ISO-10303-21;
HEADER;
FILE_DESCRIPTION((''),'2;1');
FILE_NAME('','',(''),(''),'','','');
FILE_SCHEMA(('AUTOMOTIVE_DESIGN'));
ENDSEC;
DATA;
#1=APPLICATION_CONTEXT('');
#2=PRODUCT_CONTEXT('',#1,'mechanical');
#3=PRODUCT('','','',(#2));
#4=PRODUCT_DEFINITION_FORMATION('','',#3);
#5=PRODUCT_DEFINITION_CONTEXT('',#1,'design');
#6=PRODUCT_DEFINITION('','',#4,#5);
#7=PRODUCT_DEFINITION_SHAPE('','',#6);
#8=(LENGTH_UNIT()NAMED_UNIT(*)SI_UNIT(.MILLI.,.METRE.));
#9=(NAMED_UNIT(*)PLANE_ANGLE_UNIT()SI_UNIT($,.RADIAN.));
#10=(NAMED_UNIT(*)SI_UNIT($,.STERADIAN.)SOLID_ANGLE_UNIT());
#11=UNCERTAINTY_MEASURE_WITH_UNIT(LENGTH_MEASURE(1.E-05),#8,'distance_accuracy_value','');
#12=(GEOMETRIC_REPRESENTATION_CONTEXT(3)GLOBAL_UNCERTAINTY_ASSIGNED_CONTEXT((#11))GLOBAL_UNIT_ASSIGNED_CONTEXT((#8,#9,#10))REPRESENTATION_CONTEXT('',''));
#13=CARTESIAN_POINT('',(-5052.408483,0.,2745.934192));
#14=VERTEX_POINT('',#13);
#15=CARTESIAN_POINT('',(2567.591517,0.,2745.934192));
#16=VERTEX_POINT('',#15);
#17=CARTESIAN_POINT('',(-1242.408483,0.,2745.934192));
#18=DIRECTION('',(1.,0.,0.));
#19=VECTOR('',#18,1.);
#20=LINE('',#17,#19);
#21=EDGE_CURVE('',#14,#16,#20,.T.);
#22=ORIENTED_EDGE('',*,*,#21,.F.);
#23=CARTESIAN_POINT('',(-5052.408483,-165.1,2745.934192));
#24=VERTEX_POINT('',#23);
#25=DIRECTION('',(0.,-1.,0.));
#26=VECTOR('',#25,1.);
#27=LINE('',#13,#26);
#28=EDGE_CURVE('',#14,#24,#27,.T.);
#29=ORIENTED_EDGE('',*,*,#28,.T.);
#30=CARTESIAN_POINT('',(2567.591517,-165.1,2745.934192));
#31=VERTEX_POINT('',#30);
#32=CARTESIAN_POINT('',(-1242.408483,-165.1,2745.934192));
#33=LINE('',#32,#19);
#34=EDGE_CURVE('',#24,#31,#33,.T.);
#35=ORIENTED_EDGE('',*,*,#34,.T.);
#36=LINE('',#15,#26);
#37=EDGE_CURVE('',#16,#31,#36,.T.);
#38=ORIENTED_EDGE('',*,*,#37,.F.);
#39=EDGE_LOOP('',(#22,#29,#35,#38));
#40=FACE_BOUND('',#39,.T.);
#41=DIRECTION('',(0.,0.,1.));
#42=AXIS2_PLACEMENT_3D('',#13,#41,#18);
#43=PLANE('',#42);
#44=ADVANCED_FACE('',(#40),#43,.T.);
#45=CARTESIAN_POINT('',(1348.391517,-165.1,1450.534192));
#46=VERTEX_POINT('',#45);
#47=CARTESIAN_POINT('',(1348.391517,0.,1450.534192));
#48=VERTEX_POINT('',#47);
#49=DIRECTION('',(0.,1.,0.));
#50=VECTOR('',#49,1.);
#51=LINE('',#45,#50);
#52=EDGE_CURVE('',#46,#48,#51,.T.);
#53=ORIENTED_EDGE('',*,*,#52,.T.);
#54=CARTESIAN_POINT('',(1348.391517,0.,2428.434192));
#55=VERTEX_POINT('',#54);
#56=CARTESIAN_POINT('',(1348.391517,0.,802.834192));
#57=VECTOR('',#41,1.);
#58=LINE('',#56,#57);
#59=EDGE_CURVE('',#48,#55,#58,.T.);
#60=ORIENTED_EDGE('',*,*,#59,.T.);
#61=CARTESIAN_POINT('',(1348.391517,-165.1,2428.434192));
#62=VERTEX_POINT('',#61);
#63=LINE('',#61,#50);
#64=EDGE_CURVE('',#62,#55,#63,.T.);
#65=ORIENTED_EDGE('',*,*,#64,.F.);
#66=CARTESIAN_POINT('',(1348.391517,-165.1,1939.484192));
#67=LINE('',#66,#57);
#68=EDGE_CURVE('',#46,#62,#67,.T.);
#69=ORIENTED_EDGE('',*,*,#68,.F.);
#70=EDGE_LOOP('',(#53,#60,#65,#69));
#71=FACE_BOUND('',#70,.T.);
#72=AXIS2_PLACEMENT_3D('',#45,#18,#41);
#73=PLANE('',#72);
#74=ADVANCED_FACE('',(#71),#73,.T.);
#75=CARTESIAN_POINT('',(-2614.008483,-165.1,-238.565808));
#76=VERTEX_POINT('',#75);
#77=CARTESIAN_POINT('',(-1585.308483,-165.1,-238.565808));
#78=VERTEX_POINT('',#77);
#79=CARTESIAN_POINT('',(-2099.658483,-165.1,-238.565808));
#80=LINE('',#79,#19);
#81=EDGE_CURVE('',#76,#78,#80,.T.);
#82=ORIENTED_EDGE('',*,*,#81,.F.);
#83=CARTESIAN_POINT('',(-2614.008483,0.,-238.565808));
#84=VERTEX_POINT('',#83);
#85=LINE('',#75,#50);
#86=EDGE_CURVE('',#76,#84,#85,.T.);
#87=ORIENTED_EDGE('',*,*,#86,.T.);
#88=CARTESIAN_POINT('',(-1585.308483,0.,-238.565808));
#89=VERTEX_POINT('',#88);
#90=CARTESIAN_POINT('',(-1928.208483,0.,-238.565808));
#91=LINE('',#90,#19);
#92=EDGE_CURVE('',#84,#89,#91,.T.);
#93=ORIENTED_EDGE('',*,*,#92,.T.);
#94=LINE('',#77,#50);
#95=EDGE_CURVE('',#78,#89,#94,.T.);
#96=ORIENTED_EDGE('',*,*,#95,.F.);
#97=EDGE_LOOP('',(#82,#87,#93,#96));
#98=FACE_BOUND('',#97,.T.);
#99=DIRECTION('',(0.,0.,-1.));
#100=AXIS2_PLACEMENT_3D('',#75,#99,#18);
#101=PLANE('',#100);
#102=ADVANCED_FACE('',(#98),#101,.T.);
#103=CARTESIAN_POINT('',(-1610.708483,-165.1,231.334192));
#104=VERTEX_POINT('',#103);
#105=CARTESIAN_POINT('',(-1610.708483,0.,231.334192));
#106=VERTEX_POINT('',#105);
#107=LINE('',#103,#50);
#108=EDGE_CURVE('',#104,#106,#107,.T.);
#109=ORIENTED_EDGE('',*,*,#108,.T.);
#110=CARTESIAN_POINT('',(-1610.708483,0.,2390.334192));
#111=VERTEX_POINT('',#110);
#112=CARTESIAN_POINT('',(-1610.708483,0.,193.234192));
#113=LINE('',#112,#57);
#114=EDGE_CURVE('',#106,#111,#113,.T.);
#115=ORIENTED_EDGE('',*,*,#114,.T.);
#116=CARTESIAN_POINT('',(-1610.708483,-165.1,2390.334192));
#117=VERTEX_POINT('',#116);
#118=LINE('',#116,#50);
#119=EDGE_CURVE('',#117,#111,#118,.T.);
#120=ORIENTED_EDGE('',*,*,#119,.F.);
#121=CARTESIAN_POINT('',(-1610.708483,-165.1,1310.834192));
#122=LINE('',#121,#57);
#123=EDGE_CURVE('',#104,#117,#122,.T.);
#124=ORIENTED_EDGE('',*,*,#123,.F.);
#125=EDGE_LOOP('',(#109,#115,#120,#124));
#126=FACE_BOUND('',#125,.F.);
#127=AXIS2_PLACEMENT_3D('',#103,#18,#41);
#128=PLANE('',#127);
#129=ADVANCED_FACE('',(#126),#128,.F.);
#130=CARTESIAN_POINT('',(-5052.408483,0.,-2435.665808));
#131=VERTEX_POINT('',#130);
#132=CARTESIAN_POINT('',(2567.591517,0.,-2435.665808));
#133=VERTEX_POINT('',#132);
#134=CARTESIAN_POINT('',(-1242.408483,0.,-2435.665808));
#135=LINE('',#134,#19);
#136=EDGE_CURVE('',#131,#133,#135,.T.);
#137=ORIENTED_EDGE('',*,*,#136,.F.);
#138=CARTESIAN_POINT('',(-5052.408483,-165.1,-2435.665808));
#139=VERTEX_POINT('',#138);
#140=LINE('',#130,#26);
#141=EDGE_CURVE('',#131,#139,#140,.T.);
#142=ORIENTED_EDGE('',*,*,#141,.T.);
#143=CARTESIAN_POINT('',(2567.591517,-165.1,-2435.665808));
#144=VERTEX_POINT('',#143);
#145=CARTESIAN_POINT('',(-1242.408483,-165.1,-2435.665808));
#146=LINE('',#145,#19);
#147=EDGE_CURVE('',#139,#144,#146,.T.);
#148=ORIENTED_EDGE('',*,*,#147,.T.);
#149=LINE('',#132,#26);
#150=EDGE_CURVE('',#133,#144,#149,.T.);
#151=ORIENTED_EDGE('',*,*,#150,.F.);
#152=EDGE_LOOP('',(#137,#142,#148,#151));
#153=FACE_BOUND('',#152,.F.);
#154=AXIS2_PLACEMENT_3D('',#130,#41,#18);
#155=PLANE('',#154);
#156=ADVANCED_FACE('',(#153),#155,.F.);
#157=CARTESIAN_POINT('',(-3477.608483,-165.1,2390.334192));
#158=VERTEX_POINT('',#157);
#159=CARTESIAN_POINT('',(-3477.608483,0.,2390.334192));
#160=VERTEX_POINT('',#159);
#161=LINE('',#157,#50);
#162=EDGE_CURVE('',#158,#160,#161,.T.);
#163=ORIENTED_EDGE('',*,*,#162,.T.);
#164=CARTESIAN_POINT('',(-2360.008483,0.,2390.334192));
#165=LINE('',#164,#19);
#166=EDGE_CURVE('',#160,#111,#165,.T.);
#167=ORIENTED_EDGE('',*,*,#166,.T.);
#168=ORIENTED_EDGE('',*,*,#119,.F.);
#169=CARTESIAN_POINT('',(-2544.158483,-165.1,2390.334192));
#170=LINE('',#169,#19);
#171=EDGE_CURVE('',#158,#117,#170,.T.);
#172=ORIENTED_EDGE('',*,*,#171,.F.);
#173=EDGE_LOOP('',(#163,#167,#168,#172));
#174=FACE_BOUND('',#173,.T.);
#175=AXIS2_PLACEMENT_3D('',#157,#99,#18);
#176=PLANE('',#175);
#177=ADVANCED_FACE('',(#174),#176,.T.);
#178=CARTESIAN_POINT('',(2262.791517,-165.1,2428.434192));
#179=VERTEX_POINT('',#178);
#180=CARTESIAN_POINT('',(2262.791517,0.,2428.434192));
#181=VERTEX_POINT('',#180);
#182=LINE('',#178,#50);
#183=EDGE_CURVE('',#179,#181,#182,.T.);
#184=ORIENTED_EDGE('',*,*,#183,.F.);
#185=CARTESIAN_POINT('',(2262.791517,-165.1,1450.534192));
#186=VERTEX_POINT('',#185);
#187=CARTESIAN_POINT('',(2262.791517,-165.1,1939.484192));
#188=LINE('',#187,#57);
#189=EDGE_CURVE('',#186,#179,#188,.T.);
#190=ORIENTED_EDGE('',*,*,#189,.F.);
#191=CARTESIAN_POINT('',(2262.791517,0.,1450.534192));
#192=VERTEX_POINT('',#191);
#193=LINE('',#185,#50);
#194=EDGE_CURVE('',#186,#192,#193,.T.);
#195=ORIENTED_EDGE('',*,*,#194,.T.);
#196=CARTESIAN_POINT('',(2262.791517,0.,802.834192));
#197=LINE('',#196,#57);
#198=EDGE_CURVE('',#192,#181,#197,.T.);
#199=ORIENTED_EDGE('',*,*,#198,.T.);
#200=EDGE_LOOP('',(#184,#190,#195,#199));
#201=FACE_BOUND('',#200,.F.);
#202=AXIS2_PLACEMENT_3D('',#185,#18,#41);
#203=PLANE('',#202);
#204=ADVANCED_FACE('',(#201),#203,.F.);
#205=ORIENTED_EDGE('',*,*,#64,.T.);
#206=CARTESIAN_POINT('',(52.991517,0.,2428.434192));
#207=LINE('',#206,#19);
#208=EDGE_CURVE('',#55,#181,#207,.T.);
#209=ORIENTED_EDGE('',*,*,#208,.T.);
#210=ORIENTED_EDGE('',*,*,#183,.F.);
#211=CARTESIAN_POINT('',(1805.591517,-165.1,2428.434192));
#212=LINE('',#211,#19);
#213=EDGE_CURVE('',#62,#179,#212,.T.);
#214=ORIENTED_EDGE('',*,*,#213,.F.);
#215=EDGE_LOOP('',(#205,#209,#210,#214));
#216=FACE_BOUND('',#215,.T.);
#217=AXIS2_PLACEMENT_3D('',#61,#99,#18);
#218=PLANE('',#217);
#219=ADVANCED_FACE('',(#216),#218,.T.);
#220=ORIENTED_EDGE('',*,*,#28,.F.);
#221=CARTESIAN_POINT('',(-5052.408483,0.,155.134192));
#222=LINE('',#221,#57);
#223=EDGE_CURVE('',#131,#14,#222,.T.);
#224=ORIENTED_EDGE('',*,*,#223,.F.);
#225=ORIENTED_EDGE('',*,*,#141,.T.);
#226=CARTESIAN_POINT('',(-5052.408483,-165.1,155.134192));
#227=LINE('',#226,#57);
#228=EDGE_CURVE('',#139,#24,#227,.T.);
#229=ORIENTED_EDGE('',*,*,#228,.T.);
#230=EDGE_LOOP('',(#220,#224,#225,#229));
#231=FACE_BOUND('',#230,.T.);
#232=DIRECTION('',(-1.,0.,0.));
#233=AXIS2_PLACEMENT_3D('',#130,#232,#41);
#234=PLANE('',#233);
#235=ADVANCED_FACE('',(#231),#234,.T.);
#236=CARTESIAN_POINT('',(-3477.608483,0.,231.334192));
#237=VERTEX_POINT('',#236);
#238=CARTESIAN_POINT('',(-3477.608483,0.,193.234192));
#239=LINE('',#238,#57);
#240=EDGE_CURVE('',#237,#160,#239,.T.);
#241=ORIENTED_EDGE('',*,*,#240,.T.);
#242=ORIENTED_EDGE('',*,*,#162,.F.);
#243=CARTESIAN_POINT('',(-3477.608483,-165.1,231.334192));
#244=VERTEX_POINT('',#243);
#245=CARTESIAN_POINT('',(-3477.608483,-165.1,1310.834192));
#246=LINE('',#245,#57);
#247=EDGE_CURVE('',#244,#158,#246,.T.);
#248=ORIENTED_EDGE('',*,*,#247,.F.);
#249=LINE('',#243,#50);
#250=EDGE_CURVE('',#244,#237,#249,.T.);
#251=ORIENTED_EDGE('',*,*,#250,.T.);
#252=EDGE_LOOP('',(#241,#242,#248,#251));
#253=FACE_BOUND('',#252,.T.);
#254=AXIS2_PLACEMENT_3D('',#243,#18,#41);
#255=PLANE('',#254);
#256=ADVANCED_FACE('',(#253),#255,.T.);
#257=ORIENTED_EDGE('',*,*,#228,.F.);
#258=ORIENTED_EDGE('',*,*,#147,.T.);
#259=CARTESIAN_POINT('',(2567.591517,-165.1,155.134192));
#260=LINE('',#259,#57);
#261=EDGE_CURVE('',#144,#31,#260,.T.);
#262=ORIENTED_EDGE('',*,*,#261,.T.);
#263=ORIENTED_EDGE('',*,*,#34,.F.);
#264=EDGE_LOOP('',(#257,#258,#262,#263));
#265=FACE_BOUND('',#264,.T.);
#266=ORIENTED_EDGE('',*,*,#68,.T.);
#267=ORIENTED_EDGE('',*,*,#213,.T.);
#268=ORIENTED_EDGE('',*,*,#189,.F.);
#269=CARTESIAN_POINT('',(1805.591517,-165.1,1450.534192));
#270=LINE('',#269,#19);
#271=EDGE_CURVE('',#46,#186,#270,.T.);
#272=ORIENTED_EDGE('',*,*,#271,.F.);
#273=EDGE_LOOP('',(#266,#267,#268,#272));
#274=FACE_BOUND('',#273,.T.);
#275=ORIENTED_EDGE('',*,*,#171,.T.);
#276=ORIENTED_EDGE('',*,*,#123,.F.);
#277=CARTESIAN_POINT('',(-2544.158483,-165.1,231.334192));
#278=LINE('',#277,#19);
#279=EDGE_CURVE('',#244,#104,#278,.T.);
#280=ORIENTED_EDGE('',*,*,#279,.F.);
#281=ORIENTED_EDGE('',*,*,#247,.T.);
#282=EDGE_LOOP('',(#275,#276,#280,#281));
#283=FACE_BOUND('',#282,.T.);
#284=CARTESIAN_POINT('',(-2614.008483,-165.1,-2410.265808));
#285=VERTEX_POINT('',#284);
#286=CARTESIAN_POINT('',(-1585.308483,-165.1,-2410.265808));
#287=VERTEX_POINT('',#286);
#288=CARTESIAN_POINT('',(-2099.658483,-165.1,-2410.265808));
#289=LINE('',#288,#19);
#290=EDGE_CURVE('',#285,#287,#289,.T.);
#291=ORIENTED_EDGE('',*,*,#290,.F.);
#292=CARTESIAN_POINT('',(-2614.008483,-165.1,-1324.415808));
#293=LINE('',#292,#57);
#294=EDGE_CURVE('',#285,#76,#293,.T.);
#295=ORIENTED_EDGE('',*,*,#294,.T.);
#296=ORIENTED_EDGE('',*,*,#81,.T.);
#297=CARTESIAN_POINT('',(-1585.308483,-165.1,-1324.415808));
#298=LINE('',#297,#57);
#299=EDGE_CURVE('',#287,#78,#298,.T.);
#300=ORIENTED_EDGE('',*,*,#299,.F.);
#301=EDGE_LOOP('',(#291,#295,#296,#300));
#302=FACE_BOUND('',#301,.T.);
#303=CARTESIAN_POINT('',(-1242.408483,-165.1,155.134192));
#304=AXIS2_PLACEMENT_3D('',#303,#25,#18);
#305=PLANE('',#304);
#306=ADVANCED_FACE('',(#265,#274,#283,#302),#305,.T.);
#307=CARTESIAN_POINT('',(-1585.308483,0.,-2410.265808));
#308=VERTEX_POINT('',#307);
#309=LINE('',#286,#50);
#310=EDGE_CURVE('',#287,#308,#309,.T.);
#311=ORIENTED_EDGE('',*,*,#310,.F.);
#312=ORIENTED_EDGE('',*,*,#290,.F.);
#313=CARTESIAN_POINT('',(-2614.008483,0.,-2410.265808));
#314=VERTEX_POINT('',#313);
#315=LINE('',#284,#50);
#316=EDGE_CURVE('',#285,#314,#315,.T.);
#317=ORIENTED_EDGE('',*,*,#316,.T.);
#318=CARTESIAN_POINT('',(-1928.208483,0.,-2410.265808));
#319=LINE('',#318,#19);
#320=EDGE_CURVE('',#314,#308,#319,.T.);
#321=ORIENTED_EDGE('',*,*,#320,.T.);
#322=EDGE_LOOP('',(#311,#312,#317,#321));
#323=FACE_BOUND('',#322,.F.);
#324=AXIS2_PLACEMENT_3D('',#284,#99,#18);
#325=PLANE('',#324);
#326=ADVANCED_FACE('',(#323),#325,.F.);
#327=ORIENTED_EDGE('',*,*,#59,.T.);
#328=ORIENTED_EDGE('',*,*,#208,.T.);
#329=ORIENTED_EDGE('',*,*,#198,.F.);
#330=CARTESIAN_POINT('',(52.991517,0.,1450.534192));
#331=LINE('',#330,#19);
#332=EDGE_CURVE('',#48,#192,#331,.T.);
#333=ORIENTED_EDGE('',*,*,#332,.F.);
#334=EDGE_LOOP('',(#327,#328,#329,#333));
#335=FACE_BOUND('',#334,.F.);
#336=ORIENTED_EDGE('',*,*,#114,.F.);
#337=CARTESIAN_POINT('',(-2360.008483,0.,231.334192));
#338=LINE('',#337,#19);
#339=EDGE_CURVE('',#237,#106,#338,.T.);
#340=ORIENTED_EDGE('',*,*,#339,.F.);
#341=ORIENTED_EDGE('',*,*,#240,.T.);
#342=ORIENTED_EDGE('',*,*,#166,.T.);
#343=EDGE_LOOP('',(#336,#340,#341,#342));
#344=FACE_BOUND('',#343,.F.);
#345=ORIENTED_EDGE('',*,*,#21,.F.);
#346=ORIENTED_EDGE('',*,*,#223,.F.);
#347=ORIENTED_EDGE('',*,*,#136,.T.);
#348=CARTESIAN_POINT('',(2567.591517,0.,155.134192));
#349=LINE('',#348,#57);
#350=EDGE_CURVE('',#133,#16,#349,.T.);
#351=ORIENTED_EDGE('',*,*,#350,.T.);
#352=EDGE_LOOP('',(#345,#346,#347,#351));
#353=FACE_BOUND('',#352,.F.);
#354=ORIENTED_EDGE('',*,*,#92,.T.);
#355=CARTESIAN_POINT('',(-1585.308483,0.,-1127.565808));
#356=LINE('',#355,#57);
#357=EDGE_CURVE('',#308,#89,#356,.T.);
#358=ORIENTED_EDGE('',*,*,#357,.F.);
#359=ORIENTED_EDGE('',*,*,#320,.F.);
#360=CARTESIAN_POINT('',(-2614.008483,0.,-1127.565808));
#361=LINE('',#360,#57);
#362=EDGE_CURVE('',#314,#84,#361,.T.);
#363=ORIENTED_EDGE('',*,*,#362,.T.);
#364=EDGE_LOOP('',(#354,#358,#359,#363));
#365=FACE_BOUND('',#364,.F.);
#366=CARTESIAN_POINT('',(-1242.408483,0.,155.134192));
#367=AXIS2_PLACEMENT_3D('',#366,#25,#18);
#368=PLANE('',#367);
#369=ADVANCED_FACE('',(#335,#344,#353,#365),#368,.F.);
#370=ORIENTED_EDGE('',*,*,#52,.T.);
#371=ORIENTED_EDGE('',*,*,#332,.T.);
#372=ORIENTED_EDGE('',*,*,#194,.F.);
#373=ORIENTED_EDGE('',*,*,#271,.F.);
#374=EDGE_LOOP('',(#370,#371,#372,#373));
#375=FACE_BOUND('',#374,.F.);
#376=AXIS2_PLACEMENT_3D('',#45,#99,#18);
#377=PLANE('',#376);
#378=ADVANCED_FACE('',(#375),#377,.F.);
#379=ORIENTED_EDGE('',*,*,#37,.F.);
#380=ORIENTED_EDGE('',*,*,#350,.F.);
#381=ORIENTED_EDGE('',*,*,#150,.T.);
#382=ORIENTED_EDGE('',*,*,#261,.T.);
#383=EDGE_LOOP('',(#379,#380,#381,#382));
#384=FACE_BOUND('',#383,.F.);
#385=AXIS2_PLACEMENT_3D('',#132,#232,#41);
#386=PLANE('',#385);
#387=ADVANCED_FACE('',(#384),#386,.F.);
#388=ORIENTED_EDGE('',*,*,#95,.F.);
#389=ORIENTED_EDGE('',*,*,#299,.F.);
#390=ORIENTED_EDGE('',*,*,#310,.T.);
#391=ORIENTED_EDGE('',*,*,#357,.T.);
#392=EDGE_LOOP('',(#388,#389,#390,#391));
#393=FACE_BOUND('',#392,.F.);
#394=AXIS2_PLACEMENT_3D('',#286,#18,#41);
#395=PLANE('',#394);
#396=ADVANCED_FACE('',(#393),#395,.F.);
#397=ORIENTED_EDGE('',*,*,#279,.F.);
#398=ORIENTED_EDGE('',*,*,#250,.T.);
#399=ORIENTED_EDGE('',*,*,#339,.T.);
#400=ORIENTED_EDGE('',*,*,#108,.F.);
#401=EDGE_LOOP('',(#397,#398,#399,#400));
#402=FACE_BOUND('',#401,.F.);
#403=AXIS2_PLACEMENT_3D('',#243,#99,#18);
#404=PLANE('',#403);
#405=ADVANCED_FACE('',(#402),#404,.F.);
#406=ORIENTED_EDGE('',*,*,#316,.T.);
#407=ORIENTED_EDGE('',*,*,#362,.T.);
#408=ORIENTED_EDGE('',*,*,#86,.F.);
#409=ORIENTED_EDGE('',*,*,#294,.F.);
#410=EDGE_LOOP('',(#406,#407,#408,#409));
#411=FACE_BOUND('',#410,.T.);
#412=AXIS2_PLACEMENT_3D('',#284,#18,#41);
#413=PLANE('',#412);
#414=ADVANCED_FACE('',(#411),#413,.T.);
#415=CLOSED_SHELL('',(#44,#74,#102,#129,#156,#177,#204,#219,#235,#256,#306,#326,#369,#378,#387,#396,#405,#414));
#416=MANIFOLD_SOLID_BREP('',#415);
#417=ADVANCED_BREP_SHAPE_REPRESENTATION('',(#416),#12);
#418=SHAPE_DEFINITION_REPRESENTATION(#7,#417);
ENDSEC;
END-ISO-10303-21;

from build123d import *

# Parameters (mm, degrees)
F0_W     = 7620
F0_H     = 5181.6
F1_DEPTH = 165.1
F2_W     = 1866.9
F2_H     = 2159
F3_DEPTH = 165.101
F4_W     = 914.4
F4_H     = 977.9
F5_DEPTH = 165.101
F6_W     = 1028.7
F6_H     = 2171.7
F7_DEPTH = 165.101


with BuildPart() as f1:
    # F0 (on Front) → F1 (new body)
    with BuildSketch(Plane.XZ):
        with Locations((-1242.408483, 155.134192)):
            Rectangle(F0_W, F0_H)
    extrude(amount=F1_DEPTH)

    # F2 (on face) → F3 (cut, through all)
    with BuildSketch(Plane.XZ.offset(165.1)):
        with Locations((-2544.158483, 1310.834192)):
            Rectangle(F2_W, F2_H)
    extrude(amount=-F3_DEPTH, mode=Mode.SUBTRACT)

    # F4 (on face) → F5 (cut, through all)
    with BuildSketch(Plane.XZ.offset(165.1)):
        with Locations((1805.591517, 1939.484192)):
            Rectangle(F4_W, F4_H)
    extrude(amount=-F5_DEPTH, mode=Mode.SUBTRACT)

    # F6 (on face) → F7 (cut, through all)
    with BuildSketch(Plane.XZ.offset(165.1)):
        with Locations((-2099.658483, -1324.415808)):
            Rectangle(F6_W, F6_H)
    extrude(amount=-F7_DEPTH, mode=Mode.SUBTRACT)


solid = f1.part
